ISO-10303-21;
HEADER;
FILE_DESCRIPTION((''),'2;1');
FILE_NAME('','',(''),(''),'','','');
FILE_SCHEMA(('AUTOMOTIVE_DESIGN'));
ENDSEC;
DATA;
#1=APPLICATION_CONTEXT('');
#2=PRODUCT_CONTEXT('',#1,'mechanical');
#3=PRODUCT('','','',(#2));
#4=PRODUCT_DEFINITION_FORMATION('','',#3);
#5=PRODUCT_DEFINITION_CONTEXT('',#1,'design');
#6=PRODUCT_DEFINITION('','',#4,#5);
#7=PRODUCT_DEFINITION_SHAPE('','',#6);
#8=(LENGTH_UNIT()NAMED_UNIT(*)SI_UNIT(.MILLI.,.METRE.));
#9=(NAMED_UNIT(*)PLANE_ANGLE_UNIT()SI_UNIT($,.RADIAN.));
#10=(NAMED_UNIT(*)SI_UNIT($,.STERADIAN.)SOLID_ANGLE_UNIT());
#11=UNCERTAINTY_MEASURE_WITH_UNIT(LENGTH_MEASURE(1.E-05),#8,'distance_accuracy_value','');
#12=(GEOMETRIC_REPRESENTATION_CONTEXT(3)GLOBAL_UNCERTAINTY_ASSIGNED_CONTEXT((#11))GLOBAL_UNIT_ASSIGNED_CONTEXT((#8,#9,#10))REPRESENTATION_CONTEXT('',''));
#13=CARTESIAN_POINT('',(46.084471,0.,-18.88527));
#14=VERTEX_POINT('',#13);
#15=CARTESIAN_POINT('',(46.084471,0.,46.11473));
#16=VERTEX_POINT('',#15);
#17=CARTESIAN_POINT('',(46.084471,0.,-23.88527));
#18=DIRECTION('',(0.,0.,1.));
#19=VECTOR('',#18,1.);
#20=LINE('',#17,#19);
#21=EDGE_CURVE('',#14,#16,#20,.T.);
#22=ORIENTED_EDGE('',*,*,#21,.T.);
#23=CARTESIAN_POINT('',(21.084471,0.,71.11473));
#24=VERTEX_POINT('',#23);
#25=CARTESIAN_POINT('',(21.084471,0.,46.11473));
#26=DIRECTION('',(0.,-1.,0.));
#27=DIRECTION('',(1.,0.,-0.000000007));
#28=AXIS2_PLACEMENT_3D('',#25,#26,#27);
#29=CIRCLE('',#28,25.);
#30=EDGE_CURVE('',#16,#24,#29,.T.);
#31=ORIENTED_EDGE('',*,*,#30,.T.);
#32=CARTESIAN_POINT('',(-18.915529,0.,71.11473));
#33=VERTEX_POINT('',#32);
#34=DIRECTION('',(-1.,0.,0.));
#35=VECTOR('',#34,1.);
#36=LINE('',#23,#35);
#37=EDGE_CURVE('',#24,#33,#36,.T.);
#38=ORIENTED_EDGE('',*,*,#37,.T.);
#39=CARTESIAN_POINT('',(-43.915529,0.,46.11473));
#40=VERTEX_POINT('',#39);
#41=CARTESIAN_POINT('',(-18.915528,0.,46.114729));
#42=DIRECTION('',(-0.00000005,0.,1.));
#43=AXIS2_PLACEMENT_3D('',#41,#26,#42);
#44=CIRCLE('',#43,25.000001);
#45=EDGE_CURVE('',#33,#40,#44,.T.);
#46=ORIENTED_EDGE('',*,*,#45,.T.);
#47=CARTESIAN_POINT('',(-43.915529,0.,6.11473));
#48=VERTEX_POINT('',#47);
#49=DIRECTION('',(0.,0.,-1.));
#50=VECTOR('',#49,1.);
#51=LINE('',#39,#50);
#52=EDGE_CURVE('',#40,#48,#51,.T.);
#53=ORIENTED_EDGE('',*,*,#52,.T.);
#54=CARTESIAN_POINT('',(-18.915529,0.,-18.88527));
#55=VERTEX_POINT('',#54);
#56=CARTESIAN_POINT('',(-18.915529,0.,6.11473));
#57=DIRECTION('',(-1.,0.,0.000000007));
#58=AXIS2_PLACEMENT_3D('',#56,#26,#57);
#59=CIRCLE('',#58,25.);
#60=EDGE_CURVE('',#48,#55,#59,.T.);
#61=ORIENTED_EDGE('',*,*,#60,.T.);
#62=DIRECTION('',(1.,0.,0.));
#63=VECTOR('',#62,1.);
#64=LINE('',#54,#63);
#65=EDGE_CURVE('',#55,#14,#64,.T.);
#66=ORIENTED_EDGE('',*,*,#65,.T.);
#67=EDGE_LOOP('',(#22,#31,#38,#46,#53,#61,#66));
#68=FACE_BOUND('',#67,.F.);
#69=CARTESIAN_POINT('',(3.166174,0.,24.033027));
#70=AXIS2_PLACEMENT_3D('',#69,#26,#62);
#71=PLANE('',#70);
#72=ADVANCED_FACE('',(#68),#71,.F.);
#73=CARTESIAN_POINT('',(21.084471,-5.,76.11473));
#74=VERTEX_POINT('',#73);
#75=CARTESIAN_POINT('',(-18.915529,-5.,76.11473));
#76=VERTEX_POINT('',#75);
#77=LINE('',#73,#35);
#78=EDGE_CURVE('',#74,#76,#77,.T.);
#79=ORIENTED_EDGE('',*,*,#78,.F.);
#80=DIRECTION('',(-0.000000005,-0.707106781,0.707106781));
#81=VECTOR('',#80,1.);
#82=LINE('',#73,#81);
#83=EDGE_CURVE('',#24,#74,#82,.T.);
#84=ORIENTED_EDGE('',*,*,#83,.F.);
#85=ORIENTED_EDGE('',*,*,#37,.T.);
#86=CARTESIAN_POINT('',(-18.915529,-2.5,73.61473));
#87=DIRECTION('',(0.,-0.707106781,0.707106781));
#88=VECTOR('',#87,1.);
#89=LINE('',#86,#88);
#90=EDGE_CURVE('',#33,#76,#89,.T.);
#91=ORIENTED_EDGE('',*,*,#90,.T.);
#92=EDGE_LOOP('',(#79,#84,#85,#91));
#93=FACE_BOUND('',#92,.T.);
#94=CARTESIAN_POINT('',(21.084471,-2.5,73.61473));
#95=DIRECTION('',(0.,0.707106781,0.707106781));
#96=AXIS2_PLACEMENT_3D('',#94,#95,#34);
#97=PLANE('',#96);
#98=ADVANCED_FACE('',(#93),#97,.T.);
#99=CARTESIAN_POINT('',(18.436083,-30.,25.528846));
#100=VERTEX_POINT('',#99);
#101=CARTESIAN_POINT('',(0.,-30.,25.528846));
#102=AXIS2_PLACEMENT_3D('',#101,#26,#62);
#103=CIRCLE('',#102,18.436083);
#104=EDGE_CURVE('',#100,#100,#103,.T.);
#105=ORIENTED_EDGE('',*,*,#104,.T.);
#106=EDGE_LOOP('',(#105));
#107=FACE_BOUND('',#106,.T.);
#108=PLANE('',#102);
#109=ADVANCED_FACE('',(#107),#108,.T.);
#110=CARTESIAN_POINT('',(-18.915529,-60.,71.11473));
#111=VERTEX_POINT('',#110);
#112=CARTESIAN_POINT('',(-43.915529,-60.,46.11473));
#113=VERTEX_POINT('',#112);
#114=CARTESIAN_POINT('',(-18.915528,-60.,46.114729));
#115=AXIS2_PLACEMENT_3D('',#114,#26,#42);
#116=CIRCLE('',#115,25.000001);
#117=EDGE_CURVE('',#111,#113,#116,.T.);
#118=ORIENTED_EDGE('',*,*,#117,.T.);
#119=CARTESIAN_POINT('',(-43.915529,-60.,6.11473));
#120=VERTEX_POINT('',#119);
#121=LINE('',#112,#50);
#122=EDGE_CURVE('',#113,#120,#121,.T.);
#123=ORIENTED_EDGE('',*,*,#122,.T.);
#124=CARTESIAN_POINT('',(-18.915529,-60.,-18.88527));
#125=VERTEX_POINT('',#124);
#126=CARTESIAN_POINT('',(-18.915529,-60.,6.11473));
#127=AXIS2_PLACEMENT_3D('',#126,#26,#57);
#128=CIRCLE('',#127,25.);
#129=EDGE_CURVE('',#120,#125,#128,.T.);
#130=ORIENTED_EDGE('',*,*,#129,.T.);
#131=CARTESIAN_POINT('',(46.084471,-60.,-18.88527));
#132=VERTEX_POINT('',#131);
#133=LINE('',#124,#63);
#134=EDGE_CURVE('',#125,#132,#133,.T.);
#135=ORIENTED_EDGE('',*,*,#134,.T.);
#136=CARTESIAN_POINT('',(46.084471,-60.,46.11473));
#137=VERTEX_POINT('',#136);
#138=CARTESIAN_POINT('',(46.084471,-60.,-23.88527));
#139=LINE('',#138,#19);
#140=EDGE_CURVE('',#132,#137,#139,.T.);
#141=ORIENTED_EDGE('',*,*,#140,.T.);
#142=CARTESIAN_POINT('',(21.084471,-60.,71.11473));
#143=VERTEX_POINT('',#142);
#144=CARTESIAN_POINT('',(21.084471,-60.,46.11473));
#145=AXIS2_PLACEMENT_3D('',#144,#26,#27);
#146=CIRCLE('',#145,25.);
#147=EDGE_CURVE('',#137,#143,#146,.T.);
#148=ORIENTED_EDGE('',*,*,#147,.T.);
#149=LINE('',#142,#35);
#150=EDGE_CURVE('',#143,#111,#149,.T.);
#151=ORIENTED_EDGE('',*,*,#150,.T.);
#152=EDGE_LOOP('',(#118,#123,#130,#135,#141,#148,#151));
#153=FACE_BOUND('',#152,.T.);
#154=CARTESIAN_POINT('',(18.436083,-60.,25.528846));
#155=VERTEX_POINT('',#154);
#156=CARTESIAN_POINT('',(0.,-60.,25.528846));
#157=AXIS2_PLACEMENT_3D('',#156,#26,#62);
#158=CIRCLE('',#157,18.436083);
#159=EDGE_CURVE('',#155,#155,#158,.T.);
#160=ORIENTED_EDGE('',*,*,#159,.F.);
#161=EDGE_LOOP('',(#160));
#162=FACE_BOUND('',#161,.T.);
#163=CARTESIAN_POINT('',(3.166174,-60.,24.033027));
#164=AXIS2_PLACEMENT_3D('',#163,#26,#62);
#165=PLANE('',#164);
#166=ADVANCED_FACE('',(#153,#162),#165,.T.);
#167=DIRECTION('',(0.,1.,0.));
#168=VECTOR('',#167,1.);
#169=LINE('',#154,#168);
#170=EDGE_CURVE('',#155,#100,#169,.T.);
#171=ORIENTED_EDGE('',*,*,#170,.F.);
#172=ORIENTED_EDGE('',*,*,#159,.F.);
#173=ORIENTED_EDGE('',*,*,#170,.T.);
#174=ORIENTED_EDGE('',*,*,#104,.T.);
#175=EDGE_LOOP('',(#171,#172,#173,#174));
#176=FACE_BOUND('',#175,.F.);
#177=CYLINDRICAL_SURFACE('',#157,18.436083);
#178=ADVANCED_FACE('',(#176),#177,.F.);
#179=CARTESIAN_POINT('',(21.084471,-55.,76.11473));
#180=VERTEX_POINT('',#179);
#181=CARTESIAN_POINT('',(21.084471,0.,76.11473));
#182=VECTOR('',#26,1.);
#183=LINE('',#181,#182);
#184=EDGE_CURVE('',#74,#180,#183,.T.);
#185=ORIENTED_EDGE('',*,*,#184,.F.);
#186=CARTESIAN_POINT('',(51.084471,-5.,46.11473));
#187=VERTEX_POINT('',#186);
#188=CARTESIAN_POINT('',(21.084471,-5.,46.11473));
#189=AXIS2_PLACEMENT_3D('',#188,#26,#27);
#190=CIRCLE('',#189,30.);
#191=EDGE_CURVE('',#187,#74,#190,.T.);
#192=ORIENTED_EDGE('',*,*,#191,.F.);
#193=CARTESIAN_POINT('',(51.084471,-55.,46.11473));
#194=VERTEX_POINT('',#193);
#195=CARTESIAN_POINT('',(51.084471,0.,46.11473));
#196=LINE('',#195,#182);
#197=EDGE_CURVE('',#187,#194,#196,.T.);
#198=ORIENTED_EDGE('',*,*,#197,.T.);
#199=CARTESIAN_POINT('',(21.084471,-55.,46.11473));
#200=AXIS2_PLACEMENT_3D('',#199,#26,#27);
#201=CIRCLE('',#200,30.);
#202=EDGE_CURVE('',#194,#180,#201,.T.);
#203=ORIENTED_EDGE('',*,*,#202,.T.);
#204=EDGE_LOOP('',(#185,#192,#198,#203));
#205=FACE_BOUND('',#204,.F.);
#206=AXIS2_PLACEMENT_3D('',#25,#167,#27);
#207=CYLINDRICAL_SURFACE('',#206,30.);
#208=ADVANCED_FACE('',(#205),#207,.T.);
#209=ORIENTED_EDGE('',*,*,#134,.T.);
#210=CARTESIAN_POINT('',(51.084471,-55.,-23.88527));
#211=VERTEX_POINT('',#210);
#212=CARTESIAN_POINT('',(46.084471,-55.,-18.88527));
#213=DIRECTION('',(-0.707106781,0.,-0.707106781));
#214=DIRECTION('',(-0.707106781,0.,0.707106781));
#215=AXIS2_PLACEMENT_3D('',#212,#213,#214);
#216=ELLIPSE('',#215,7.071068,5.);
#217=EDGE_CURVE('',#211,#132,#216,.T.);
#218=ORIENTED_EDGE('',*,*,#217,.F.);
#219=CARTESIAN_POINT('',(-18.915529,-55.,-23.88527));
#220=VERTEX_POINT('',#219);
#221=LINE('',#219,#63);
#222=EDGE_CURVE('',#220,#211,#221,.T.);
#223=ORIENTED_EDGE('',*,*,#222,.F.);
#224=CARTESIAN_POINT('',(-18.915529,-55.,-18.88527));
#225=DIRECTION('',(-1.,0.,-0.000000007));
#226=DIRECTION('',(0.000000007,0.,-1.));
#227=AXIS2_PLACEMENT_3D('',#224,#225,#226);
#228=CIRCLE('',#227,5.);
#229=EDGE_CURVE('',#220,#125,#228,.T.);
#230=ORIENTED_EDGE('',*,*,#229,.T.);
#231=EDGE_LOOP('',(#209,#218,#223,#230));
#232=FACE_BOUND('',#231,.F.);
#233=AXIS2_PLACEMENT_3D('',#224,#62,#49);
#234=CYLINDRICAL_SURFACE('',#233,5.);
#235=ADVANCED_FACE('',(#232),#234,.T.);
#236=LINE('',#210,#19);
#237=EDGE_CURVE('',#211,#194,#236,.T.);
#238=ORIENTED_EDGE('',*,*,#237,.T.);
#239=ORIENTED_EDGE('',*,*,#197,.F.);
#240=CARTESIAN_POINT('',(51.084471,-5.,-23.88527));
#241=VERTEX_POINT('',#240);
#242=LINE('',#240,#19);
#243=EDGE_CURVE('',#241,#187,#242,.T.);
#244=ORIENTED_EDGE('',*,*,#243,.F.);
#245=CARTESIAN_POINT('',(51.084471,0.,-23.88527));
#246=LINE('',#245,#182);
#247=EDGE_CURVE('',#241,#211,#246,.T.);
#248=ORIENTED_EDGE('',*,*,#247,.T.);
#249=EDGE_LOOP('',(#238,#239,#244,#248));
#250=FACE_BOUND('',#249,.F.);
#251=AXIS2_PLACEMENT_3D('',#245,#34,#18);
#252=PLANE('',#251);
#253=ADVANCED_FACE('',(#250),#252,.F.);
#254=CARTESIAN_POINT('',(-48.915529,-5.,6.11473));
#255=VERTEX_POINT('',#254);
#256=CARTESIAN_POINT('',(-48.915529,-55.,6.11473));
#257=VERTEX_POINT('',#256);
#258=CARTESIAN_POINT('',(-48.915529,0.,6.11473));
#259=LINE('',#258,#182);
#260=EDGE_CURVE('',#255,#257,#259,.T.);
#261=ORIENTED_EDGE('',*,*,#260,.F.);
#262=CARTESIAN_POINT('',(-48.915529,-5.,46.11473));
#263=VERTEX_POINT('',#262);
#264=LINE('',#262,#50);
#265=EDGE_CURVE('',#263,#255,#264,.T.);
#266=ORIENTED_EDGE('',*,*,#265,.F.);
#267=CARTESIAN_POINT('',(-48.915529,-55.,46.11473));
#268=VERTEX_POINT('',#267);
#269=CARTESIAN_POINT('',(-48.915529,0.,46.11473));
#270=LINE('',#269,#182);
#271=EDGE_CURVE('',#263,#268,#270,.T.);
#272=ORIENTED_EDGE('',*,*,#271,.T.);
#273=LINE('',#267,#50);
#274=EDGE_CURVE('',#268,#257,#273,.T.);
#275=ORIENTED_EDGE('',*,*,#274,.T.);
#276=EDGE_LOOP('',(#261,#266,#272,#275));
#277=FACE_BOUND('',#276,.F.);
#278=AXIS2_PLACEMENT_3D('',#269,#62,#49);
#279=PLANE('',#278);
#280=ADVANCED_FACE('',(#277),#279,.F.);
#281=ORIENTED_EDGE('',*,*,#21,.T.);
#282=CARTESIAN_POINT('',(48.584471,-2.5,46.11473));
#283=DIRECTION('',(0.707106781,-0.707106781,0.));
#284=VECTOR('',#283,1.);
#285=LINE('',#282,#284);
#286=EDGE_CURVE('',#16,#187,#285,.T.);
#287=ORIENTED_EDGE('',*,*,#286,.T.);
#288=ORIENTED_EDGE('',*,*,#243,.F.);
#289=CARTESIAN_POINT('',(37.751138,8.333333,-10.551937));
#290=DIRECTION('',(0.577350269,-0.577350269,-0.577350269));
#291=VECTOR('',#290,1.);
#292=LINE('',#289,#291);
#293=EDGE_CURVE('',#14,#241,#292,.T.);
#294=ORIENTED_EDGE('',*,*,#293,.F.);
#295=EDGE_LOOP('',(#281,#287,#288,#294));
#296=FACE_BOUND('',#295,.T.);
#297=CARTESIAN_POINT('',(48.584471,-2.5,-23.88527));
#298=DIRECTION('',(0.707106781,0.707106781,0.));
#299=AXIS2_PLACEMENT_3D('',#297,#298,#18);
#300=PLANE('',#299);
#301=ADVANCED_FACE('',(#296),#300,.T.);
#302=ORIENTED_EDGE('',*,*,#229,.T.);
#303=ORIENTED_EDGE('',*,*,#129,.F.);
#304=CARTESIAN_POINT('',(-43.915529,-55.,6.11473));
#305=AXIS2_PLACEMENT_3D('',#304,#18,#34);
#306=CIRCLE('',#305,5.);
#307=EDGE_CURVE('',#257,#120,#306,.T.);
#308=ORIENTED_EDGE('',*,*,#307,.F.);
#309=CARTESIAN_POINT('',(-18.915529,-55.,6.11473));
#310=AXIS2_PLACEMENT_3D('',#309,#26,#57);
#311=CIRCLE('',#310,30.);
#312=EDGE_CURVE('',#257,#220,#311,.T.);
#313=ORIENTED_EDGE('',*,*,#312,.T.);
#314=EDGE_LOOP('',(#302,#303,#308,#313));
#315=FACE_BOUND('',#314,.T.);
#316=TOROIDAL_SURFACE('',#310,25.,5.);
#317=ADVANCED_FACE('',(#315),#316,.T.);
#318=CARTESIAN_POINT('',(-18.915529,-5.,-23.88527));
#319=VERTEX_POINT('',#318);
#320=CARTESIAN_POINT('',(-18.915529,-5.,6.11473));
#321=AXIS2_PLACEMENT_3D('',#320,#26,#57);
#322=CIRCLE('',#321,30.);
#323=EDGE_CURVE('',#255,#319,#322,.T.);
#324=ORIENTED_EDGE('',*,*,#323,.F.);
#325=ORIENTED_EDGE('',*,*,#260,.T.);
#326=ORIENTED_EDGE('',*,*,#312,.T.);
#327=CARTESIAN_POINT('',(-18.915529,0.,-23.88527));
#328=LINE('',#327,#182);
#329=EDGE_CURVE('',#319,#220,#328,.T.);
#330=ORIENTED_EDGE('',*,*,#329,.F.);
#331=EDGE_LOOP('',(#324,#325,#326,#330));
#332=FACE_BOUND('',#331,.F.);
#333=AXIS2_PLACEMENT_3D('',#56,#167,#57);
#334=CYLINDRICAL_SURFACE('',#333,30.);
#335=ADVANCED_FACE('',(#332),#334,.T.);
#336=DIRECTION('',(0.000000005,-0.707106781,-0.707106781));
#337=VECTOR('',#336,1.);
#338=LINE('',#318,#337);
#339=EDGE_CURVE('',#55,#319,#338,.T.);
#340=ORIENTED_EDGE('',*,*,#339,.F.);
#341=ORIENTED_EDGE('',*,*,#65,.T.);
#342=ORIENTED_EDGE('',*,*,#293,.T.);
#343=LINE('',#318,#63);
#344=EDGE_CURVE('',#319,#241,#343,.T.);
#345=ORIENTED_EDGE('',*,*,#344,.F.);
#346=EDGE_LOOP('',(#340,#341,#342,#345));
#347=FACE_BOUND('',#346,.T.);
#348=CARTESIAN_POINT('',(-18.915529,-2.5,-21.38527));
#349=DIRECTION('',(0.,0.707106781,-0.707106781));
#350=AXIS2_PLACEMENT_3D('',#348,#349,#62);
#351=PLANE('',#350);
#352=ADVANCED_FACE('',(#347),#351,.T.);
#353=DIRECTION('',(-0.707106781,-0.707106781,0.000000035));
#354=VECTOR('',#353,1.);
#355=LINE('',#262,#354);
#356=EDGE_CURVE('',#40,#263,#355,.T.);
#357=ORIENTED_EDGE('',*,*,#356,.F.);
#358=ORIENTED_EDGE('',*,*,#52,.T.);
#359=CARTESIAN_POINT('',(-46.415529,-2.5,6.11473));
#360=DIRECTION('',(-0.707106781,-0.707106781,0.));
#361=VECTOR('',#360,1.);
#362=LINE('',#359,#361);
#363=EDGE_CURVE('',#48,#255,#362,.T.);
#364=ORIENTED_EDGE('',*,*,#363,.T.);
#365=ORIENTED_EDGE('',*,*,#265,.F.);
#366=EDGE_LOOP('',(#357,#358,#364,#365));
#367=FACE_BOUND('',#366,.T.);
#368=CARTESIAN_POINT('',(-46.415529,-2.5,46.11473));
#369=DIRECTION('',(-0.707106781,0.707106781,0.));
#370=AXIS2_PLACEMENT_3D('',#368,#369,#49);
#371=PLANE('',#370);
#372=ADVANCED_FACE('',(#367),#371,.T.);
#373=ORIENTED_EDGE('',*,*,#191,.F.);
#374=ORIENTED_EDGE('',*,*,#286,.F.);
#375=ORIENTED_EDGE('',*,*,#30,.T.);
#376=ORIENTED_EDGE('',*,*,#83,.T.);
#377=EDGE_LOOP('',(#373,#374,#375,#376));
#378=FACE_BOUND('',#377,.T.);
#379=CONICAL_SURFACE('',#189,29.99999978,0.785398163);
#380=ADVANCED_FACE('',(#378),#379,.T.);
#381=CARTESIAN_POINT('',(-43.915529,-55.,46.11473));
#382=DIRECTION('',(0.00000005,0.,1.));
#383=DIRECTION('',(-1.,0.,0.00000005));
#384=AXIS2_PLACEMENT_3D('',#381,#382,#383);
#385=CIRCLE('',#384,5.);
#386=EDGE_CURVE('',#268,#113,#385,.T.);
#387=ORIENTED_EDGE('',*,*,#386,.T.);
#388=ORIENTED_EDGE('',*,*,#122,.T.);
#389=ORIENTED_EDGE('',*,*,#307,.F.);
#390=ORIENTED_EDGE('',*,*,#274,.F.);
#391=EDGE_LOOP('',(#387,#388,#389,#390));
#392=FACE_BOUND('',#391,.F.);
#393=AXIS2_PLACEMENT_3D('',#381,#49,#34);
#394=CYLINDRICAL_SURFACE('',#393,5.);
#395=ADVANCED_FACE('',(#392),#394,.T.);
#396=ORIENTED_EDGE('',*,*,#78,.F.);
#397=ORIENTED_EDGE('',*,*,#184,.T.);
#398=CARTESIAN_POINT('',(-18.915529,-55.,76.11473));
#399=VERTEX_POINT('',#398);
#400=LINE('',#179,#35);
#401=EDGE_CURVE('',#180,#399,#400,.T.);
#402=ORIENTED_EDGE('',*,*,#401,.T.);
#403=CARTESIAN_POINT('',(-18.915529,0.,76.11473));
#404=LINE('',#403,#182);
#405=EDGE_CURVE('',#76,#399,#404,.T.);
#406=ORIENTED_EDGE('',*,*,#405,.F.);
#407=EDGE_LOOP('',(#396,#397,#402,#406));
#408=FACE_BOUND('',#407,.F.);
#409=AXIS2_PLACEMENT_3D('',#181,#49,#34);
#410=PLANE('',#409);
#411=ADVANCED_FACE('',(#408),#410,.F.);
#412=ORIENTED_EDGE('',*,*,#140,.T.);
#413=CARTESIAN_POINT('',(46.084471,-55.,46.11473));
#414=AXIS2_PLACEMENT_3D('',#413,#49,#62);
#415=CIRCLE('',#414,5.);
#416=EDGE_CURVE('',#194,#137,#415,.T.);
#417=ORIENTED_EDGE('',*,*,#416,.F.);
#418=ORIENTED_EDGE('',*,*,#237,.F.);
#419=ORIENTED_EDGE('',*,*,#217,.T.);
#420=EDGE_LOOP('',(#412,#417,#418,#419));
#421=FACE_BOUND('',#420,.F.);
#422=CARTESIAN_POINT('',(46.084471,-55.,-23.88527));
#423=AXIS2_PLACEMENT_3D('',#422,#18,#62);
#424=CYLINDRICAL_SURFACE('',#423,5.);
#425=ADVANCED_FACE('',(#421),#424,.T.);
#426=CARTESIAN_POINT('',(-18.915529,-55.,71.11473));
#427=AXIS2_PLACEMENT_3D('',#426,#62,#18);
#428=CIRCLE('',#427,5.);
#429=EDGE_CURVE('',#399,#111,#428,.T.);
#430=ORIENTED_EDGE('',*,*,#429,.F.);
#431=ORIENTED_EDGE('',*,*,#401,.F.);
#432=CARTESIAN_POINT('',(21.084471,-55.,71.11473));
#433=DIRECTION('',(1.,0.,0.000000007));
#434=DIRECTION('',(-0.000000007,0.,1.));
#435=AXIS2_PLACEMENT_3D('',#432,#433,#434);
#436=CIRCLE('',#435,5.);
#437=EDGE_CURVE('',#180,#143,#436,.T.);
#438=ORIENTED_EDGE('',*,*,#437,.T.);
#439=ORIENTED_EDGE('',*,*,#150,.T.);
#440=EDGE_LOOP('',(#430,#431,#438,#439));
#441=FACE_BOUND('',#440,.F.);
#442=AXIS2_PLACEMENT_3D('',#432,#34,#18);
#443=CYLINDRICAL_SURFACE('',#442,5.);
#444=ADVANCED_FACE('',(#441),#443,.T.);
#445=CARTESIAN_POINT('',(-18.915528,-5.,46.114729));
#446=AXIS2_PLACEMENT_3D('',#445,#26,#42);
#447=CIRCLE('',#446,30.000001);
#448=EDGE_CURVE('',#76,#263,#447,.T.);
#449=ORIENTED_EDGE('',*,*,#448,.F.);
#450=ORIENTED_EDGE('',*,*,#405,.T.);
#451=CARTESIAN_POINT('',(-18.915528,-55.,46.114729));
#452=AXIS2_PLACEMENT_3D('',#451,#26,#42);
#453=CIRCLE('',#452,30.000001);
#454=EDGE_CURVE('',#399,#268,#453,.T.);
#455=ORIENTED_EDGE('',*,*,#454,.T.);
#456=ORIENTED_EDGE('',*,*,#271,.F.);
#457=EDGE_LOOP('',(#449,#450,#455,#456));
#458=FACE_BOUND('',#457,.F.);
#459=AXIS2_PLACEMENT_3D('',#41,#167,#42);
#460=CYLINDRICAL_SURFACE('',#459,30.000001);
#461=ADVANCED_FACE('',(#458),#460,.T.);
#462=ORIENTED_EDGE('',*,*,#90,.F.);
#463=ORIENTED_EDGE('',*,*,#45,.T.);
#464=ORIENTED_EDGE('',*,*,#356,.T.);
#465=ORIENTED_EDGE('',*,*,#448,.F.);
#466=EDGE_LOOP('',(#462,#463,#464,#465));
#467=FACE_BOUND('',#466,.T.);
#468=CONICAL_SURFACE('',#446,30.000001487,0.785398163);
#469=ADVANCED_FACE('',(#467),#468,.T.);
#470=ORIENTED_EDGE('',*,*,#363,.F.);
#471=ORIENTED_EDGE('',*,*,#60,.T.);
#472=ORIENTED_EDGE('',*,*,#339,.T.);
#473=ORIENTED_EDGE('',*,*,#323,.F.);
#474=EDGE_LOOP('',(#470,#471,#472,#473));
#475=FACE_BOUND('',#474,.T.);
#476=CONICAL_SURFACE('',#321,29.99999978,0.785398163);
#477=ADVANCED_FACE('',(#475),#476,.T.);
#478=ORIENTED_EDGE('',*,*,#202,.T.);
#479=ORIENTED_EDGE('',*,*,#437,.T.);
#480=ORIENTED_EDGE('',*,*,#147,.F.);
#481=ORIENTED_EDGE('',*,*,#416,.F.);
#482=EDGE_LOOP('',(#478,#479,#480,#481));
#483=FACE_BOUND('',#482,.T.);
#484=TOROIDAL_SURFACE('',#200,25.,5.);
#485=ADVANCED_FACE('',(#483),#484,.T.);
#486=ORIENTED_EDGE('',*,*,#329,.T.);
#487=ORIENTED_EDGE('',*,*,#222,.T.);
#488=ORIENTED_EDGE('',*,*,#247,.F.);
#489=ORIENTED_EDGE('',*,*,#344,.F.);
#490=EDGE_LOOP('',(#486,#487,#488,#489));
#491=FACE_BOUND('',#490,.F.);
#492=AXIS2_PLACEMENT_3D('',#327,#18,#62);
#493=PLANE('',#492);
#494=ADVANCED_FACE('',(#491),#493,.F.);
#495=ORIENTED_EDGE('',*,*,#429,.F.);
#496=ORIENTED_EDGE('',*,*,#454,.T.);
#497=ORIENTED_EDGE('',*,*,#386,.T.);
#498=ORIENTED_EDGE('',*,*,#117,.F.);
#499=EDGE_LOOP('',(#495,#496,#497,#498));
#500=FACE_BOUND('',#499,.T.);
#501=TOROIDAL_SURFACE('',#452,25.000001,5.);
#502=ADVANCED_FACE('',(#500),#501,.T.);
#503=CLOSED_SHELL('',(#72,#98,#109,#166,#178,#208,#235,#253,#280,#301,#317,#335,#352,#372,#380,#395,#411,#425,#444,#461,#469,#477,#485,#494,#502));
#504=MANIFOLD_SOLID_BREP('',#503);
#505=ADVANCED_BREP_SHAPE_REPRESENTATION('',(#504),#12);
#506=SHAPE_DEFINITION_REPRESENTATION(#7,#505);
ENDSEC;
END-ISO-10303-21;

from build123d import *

# Parameters (mm, degrees)
F1_DEPTH = 60
F2_R     = 5
F3_SIZE  = 5
F4_R     = 18.436083
F5_DEPTH = 30


with BuildPart() as f1:
    # F0 (on Front) → F1 (new body)
    with BuildSketch(Plane.XZ):
        with BuildLine():
            Line((21.084471, 76.11473), (-18.915529, 76.11473))
            ThreePointArc((-18.915529, 76.11473), (-40.128732, 67.327933), (-48.915529, 46.11473))
            Line((-48.915529, 46.11473), (-48.915529, 6.11473))
            ThreePointArc((-48.915529, 6.11473), (-40.128732, -15.098474), (-18.915529, -23.88527))
            Line((-18.915529, -23.88527), (51.084471, -23.88527))
            Line((51.084471, -23.88527), (51.084471, 46.11473))
            ThreePointArc((51.084471, 46.11473), (42.297675, 67.327933), (21.084471, 76.11473))
        make_face()
    extrude(amount=F1_DEPTH)

    # F2
    f2_edges = [f1.edges().sort_by_distance(p)[0] for p in [
        (51.084471, -60, 11.11473),
        (42.297675, -60, 67.327933),
        (1.084471, -60, 76.11473),
        (-40.128732, -60, 67.327933),
        (-48.915529, -60, 26.11473),
        (-40.128732, -60, -15.098474),
        (16.084471, -60, -23.88527),
    ]]
    fillet(f2_edges, radius=F2_R)

    # F3
    f3_edges = [f1.edges().sort_by_distance(p)[0] for p in [
        (51.084471, 0, 11.11473),
        (42.297675, 0, 67.327933),
        (1.084471, 0, 76.11473),
        (-40.128732, 0, 67.327933),
        (-48.915529, 0, 26.11473),
        (-40.128732, 0, -15.098474),
        (16.084471, 0, -23.88527),
    ]]
    chamfer(f3_edges, length=F3_SIZE)

    # F4 (on face) → F5 (cut)
    with BuildSketch(Plane.XZ.offset(60)):
        with Locations((0, 25.528846)):
            Circle(F4_R)
    extrude(amount=-F5_DEPTH, mode=Mode.SUBTRACT)


solid = f1.part
